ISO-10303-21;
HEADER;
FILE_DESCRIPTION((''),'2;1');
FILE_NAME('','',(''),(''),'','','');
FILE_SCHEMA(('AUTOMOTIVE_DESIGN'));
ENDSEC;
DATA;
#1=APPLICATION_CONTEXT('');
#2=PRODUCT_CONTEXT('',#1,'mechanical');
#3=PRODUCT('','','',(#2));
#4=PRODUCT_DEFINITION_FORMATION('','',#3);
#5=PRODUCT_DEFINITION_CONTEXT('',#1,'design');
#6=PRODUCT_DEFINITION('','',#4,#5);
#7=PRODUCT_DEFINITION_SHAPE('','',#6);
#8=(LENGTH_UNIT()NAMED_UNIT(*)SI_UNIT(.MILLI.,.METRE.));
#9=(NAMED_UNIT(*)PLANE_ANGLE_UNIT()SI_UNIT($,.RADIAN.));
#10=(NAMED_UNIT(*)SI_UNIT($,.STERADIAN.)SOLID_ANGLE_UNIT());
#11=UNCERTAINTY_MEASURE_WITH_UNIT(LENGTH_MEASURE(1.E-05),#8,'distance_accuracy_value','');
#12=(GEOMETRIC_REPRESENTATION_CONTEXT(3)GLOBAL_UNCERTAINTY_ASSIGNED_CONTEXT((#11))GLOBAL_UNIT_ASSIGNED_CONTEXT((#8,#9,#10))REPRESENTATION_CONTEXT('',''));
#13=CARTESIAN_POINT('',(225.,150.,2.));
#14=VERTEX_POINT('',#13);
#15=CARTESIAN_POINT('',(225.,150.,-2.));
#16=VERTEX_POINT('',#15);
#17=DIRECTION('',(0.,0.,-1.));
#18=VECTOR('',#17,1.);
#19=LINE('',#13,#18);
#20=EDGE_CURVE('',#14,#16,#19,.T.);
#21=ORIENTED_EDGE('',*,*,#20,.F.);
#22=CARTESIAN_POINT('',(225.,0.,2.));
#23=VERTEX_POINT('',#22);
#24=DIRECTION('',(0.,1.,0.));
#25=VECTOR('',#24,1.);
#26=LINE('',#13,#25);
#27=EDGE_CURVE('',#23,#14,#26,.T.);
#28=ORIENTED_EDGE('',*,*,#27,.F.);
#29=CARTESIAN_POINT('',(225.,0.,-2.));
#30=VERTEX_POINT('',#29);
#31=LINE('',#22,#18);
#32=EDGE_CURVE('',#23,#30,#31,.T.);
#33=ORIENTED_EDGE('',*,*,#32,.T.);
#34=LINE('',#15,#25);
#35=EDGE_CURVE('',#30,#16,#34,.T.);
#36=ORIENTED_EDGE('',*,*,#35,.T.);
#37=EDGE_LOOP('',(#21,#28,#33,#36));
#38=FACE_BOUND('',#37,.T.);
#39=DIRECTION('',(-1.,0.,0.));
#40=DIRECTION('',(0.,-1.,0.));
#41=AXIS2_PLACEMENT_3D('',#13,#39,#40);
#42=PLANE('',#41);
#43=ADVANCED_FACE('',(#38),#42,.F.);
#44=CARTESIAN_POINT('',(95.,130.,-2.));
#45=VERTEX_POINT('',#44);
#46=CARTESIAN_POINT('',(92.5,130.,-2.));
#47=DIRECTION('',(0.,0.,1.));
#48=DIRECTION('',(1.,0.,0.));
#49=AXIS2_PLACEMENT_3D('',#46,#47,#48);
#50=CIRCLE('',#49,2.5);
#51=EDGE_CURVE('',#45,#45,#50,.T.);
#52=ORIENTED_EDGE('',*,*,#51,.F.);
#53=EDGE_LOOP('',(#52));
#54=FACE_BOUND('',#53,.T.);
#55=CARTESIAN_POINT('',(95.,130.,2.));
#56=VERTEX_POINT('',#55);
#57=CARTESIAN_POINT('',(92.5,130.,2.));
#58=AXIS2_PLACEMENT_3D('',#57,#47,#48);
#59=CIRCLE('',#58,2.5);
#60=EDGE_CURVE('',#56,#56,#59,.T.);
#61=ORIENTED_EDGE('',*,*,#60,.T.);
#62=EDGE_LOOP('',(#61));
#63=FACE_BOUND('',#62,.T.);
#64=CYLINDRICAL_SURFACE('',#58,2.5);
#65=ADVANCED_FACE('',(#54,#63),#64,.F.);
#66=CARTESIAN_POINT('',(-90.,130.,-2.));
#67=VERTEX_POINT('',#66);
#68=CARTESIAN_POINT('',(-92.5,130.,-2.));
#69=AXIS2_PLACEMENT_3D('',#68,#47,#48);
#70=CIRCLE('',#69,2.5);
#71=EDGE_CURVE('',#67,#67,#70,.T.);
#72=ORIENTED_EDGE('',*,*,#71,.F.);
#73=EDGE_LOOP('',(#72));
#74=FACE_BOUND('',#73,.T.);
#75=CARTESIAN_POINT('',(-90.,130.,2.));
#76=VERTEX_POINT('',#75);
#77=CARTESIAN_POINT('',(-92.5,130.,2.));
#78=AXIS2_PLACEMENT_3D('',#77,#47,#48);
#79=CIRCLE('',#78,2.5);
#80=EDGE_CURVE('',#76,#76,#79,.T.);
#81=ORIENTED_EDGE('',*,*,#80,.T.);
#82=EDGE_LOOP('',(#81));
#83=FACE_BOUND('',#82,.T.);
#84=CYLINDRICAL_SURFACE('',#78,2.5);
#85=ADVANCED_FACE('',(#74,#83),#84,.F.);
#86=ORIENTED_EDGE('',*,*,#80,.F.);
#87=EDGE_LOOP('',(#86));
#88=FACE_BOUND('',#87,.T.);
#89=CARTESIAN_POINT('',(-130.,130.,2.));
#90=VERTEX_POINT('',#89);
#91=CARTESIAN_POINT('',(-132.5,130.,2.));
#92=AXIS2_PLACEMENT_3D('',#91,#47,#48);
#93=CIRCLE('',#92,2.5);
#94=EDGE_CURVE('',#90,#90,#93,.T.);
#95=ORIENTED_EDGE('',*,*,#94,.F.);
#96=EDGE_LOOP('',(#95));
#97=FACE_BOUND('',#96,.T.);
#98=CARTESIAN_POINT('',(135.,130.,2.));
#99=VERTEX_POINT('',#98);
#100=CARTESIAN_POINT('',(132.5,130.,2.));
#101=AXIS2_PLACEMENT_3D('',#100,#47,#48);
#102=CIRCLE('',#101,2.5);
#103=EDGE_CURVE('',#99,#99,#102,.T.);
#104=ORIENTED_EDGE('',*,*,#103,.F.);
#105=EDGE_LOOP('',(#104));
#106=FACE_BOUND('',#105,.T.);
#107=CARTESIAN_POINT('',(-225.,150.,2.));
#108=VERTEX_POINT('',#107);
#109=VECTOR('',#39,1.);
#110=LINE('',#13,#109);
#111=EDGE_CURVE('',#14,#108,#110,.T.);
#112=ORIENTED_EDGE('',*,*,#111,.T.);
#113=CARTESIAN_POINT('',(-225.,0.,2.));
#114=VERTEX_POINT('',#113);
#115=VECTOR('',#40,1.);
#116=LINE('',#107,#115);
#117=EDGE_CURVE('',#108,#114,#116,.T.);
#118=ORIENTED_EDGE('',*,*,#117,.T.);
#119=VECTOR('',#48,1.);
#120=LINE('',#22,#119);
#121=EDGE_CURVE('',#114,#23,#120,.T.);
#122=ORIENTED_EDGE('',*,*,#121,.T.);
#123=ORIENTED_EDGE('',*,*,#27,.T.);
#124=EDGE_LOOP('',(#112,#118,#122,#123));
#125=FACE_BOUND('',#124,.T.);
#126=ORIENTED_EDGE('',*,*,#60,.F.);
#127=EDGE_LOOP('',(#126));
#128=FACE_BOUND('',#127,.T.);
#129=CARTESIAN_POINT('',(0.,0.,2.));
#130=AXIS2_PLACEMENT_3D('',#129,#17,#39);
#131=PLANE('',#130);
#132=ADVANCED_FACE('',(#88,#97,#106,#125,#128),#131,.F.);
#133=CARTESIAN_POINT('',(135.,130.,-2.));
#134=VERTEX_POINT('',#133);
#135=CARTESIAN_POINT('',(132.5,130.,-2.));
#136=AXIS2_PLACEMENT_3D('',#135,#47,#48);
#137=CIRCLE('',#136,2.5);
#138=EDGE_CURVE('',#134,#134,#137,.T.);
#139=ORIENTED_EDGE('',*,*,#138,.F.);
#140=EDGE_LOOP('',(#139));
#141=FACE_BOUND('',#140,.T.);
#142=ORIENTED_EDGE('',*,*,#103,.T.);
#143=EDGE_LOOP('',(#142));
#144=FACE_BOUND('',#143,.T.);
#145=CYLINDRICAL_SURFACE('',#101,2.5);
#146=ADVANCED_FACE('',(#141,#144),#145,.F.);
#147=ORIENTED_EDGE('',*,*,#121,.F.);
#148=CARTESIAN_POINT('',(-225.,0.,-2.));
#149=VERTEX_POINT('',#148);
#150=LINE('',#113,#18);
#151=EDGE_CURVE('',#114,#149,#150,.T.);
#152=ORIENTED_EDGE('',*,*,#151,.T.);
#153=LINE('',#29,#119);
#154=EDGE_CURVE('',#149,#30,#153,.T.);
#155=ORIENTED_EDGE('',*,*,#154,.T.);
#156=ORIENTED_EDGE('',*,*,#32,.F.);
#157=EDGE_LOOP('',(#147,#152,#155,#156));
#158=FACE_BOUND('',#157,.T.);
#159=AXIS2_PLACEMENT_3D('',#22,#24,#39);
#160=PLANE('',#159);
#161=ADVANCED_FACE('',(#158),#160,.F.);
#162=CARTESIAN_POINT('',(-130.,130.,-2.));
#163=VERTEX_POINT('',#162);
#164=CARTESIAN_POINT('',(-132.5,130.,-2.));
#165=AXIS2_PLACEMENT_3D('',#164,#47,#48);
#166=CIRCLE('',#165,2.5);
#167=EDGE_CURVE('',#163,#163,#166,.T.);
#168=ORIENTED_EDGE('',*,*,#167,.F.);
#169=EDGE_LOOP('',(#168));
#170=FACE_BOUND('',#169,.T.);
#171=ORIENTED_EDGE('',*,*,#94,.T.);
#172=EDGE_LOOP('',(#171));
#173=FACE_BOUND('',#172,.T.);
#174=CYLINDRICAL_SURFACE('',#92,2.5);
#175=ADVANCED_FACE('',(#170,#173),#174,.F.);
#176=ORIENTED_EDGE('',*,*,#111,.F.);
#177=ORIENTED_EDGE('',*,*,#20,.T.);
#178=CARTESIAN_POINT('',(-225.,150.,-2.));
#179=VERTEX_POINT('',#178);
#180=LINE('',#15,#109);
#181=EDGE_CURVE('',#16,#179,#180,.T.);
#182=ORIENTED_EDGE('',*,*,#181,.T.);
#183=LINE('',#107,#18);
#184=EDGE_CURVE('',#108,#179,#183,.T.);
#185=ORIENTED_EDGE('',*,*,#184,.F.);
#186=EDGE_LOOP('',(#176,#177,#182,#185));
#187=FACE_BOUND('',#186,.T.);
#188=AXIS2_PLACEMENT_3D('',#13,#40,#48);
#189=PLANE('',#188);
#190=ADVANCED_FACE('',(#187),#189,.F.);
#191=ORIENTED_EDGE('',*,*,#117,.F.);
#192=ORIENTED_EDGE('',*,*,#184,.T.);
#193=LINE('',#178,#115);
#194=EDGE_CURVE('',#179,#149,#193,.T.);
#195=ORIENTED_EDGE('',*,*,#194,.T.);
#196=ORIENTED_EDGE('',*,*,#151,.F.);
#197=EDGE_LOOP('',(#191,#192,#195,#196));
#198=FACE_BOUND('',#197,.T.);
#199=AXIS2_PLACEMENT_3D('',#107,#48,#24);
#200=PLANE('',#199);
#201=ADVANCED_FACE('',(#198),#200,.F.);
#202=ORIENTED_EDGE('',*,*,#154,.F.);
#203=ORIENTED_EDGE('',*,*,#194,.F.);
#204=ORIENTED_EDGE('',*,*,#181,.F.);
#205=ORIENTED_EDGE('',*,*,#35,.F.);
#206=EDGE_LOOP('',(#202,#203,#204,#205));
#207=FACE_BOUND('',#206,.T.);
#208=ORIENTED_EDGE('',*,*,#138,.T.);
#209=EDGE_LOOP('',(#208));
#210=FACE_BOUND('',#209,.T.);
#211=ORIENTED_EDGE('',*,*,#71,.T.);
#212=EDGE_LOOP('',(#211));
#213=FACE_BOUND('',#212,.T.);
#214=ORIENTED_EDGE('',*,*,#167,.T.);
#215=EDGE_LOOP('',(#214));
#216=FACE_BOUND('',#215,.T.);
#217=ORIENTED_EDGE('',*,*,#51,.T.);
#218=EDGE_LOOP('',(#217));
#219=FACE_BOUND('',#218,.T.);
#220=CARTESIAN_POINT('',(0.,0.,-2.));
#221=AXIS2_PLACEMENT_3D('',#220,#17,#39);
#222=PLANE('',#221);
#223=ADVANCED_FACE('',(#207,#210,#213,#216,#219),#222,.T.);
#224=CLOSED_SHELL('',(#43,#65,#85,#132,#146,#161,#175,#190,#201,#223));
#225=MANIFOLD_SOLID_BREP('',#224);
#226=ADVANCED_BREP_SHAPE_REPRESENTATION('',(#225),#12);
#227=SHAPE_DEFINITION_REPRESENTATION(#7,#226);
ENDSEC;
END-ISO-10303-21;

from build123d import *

# Parameters (mm, degrees)
SKETCH1_W               = 450
SKETCH1_H               = 150
BOSS_EXTRUDE1_DEPTH     = 2
TAP_DRILL_FOR_M6_TAP1_D = 5


with BuildPart() as part:
    # Sketch1 → Boss-Extrude1 (new, symmetric)
    with BuildSketch(Plane.XY):
        with Locations((0, 75)):
            Rectangle(SKETCH1_W, SKETCH1_H)
    extrude(amount=BOSS_EXTRUDE1_DEPTH, both=True)

    # Tap Drill for M6 Tap1 (through all)
    with Locations(Plane.XY.offset(2)):
        with Locations((132.5, 130), (-132.5, 130), (-92.5, 130), (92.5, 130)):
            Hole(TAP_DRILL_FOR_M6_TAP1_D / 2)


solid = part.part
